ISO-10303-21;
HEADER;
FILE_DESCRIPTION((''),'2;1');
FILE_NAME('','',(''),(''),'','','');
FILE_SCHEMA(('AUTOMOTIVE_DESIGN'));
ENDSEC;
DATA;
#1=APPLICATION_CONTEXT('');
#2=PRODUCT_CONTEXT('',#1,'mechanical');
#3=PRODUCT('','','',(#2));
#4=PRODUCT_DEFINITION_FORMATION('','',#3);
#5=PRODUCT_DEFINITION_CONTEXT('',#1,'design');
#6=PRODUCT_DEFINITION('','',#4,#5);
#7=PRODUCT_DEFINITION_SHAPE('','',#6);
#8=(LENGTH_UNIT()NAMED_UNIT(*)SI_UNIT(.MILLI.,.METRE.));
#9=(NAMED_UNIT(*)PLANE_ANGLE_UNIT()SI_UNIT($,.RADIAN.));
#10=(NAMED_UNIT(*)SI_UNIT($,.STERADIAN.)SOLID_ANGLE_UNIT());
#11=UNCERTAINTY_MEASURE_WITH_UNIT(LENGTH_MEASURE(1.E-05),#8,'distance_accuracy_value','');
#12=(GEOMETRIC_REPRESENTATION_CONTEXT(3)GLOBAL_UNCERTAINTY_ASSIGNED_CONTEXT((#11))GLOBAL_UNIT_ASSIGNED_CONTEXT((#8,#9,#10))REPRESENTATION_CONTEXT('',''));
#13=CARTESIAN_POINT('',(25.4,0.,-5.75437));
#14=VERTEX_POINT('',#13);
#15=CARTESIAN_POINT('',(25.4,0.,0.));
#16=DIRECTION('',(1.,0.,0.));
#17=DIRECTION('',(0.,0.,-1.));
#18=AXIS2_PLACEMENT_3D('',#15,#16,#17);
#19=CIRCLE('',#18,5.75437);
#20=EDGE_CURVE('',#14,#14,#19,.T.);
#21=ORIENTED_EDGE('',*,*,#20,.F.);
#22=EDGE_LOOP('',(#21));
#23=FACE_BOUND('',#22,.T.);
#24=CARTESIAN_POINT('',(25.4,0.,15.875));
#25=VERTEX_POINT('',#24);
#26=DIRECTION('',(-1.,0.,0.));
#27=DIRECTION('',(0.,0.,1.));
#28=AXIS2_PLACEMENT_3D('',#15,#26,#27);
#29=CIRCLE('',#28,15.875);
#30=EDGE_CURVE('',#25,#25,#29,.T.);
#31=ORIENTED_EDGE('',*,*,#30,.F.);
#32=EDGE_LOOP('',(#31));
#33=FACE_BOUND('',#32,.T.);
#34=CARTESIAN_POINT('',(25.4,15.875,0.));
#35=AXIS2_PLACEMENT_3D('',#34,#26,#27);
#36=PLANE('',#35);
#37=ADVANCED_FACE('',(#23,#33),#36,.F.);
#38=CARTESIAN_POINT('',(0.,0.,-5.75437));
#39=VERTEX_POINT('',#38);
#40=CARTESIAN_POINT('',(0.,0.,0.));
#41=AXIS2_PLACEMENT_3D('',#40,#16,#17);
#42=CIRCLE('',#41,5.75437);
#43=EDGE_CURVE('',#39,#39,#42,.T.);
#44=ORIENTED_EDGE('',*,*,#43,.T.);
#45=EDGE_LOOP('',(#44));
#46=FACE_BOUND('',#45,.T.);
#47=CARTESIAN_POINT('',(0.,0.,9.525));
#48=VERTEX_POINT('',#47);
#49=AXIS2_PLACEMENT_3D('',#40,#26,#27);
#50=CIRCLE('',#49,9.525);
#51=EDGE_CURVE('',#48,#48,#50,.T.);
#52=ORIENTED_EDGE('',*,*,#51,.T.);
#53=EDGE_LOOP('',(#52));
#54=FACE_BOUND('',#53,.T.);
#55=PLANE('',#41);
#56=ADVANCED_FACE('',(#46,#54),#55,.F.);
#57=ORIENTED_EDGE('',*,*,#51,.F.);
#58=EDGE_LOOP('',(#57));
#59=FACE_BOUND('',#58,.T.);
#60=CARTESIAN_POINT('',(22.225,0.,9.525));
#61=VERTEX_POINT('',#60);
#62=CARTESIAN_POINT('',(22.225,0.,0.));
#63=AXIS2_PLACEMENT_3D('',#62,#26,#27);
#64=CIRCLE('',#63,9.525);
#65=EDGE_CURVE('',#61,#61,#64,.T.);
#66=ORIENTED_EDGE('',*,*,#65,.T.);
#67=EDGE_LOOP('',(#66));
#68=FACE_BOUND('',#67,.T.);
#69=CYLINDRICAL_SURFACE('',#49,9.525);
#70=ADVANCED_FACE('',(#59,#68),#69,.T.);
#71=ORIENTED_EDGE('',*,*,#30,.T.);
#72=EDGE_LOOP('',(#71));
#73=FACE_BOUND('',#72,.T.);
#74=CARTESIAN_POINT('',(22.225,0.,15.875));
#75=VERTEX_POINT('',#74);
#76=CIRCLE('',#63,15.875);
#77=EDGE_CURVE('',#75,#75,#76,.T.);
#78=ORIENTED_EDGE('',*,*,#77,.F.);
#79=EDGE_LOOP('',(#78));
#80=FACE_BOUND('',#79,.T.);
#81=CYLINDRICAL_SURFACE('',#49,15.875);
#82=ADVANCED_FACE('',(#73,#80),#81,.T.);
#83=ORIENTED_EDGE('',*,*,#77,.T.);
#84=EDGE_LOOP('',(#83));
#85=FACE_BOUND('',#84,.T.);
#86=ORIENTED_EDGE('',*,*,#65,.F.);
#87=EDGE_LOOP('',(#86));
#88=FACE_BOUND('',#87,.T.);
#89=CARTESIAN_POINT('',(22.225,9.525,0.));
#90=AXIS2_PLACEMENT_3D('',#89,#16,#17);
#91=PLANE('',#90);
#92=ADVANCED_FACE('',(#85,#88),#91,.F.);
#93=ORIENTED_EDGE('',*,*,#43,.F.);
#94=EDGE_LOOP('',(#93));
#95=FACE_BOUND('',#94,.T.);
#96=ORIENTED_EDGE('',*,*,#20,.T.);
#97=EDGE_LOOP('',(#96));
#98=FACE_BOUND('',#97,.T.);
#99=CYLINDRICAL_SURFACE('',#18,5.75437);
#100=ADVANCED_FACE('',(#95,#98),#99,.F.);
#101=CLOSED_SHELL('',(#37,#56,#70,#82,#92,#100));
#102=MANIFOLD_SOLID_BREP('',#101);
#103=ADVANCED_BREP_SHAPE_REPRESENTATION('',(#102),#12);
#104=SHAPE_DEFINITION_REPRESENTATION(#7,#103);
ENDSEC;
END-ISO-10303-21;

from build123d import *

# Parameters (mm, degrees)
F_1_2_20_TAPPED_HOLE1_D = 11.50874


with BuildPart() as part:
    # Sketch1 → Revolve1 (revolve)
    with BuildSketch(Plane.XY, mode=Mode.PRIVATE) as revolve1_sk:
        Polygon((0, 9.525), (22.225, 9.525), (22.225, 15.875), (25.4, 15.875), (25.4, 0), (0, 0), align=None)
    revolve(revolve1_sk.sketch.rotate(Axis((0, 0, 0), (1, 0, 0)), 90), axis=Axis((0, 0, 0), (1, 0, 0)))

    # 1/2-20 Tapped Hole1 (through all)
    with Locations(Plane(origin=(25.4, 0, 0), x_dir=(0, 0, 1), z_dir=(1, 0, 0))):
        with Locations((0, 0)):
            Hole(F_1_2_20_TAPPED_HOLE1_D / 2)


solid = part.part
